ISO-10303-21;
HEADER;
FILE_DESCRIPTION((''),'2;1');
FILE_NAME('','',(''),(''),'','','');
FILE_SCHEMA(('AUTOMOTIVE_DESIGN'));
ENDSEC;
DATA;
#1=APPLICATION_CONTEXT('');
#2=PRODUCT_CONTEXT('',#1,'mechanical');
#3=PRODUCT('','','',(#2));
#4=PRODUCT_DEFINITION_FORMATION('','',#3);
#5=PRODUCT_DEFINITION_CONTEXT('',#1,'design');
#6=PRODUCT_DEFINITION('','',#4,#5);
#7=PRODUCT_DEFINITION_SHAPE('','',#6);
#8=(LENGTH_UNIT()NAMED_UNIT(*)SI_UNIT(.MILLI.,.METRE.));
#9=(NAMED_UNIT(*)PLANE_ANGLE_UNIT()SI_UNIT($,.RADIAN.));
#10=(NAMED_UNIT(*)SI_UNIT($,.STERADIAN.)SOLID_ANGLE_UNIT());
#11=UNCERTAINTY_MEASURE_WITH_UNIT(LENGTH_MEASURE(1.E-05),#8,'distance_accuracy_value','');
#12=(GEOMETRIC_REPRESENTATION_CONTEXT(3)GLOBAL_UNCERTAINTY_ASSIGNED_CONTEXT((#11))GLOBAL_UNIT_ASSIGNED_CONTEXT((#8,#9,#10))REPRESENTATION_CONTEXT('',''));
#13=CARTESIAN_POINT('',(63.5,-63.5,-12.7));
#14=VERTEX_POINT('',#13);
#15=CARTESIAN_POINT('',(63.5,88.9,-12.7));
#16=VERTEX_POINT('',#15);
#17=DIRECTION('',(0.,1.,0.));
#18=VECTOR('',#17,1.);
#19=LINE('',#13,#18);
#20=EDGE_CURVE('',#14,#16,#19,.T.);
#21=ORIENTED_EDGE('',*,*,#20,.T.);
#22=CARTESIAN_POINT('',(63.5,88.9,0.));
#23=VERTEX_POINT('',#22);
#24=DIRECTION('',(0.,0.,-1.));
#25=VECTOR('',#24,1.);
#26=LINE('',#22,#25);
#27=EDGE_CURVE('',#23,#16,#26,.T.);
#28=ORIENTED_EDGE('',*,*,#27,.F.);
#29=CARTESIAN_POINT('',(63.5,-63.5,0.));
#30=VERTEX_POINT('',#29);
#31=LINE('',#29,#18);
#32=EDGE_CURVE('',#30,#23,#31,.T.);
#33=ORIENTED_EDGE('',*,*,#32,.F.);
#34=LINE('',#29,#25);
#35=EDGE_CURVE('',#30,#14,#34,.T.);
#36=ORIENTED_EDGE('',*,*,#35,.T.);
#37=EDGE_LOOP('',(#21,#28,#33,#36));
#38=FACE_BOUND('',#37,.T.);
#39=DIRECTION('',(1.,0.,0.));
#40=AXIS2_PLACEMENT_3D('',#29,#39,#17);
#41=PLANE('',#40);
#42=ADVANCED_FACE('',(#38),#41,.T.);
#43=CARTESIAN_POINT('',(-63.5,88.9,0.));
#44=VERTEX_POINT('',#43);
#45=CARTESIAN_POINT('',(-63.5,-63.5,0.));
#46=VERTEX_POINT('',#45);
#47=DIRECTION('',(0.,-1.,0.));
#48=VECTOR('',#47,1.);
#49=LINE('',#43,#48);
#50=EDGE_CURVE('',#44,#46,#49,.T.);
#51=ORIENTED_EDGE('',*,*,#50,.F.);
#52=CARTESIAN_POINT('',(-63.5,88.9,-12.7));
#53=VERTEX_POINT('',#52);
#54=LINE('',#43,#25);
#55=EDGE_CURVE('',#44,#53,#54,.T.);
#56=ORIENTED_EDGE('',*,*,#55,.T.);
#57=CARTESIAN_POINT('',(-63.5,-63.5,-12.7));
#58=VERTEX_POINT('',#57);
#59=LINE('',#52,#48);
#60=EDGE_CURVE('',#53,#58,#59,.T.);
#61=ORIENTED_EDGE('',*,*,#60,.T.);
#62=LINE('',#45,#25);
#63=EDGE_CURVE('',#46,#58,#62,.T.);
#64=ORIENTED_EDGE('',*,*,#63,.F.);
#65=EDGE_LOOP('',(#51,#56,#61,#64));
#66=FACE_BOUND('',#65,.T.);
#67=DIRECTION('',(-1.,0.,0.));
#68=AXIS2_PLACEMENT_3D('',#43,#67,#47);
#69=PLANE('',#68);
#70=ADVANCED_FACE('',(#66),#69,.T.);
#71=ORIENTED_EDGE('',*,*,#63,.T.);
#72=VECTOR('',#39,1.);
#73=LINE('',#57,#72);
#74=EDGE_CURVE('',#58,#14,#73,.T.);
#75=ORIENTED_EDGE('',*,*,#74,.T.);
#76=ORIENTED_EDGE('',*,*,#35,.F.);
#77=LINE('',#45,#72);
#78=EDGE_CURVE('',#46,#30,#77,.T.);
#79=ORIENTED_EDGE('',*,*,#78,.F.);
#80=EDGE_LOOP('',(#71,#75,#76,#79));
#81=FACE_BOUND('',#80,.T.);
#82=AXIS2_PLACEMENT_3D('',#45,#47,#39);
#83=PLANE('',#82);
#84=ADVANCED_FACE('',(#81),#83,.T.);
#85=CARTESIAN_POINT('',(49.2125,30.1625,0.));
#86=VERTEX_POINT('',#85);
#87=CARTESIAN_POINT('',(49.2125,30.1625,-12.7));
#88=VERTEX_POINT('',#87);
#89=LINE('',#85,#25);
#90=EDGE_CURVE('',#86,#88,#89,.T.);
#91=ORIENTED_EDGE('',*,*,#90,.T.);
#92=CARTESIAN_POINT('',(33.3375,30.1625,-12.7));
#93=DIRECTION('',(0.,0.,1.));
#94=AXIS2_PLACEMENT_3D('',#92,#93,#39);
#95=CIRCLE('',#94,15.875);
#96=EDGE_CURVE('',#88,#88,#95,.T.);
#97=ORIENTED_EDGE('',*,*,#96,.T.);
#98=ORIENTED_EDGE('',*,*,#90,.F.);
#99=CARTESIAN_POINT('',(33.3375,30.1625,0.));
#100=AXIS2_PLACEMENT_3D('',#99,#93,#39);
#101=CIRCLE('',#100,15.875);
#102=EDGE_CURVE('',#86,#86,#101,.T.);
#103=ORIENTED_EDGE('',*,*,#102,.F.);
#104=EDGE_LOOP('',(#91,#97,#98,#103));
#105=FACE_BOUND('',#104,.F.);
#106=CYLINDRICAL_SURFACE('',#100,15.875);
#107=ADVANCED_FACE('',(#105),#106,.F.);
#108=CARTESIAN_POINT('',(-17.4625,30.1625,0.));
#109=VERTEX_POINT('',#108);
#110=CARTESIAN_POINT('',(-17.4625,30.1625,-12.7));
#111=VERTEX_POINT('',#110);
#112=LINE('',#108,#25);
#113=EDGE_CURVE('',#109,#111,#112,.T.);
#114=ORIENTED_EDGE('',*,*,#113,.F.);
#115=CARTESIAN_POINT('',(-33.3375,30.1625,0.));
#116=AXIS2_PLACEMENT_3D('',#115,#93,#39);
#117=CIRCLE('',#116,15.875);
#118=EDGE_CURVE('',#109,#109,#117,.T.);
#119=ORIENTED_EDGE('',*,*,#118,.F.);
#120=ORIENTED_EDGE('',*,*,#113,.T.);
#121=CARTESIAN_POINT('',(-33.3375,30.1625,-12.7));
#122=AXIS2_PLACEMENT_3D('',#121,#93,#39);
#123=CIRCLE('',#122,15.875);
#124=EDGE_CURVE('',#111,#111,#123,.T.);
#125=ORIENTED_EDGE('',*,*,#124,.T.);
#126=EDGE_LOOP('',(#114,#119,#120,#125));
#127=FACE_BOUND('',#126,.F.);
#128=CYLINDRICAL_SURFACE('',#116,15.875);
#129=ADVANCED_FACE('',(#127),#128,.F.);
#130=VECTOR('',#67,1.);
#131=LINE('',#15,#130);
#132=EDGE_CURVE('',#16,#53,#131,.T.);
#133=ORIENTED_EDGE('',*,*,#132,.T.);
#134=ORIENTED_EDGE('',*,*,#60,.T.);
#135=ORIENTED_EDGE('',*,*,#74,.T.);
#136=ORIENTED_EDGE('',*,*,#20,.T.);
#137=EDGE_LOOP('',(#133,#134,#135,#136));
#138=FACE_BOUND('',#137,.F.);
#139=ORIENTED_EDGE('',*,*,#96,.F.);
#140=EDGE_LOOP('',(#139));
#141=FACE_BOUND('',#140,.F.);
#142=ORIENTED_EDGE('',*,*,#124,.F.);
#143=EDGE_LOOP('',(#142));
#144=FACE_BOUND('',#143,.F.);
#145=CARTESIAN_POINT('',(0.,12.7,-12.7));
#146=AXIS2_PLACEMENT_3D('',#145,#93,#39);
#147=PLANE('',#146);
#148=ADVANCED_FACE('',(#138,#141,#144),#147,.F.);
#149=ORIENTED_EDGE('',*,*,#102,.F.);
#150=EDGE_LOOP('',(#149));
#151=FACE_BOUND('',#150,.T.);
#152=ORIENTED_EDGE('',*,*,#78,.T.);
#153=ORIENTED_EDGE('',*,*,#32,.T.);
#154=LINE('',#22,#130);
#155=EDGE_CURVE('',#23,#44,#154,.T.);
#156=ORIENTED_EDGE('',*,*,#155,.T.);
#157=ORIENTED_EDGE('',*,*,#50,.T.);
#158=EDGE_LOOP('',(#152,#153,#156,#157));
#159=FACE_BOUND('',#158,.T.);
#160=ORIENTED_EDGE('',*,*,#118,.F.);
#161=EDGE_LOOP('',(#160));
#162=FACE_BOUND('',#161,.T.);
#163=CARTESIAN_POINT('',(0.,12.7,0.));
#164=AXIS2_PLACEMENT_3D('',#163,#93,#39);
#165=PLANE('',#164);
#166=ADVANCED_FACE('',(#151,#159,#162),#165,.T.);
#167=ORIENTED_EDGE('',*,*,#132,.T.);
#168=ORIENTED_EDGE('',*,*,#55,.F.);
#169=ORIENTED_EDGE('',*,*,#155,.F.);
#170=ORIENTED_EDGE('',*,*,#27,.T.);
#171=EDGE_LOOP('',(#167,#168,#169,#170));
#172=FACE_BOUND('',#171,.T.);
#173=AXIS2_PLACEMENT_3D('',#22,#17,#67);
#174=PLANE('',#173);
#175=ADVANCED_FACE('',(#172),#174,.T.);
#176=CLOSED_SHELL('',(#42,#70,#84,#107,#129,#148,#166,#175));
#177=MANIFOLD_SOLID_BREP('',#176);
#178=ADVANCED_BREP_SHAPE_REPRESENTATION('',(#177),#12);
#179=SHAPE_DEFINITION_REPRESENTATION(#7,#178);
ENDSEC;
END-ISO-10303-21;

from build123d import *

# Parameters (mm, degrees)
F1_DEPTH = 12.7
F2_R     = 15.875
F3_DEPTH = 25.4


with BuildPart() as f1:
    # F0 (on Top) → F1 (new body)
    with BuildSketch(Plane.XY):
        Polygon((-63.5, -63.5), (63.5, -63.5), (63.5, 63.5), (63.5, 88.9), (-63.5, 88.9), (-63.5, 63.5), align=None)
    extrude(amount=-F1_DEPTH)

    # F2 (on face) → F3 (cut)
    with BuildSketch(Plane.XY):
        with Locations((-33.3375, 30.1625)):
            Circle(F2_R)
        with Locations((33.3375, 30.1625)):
            Circle(F2_R)
    extrude(amount=-F3_DEPTH, mode=Mode.SUBTRACT)


solid = f1.part
